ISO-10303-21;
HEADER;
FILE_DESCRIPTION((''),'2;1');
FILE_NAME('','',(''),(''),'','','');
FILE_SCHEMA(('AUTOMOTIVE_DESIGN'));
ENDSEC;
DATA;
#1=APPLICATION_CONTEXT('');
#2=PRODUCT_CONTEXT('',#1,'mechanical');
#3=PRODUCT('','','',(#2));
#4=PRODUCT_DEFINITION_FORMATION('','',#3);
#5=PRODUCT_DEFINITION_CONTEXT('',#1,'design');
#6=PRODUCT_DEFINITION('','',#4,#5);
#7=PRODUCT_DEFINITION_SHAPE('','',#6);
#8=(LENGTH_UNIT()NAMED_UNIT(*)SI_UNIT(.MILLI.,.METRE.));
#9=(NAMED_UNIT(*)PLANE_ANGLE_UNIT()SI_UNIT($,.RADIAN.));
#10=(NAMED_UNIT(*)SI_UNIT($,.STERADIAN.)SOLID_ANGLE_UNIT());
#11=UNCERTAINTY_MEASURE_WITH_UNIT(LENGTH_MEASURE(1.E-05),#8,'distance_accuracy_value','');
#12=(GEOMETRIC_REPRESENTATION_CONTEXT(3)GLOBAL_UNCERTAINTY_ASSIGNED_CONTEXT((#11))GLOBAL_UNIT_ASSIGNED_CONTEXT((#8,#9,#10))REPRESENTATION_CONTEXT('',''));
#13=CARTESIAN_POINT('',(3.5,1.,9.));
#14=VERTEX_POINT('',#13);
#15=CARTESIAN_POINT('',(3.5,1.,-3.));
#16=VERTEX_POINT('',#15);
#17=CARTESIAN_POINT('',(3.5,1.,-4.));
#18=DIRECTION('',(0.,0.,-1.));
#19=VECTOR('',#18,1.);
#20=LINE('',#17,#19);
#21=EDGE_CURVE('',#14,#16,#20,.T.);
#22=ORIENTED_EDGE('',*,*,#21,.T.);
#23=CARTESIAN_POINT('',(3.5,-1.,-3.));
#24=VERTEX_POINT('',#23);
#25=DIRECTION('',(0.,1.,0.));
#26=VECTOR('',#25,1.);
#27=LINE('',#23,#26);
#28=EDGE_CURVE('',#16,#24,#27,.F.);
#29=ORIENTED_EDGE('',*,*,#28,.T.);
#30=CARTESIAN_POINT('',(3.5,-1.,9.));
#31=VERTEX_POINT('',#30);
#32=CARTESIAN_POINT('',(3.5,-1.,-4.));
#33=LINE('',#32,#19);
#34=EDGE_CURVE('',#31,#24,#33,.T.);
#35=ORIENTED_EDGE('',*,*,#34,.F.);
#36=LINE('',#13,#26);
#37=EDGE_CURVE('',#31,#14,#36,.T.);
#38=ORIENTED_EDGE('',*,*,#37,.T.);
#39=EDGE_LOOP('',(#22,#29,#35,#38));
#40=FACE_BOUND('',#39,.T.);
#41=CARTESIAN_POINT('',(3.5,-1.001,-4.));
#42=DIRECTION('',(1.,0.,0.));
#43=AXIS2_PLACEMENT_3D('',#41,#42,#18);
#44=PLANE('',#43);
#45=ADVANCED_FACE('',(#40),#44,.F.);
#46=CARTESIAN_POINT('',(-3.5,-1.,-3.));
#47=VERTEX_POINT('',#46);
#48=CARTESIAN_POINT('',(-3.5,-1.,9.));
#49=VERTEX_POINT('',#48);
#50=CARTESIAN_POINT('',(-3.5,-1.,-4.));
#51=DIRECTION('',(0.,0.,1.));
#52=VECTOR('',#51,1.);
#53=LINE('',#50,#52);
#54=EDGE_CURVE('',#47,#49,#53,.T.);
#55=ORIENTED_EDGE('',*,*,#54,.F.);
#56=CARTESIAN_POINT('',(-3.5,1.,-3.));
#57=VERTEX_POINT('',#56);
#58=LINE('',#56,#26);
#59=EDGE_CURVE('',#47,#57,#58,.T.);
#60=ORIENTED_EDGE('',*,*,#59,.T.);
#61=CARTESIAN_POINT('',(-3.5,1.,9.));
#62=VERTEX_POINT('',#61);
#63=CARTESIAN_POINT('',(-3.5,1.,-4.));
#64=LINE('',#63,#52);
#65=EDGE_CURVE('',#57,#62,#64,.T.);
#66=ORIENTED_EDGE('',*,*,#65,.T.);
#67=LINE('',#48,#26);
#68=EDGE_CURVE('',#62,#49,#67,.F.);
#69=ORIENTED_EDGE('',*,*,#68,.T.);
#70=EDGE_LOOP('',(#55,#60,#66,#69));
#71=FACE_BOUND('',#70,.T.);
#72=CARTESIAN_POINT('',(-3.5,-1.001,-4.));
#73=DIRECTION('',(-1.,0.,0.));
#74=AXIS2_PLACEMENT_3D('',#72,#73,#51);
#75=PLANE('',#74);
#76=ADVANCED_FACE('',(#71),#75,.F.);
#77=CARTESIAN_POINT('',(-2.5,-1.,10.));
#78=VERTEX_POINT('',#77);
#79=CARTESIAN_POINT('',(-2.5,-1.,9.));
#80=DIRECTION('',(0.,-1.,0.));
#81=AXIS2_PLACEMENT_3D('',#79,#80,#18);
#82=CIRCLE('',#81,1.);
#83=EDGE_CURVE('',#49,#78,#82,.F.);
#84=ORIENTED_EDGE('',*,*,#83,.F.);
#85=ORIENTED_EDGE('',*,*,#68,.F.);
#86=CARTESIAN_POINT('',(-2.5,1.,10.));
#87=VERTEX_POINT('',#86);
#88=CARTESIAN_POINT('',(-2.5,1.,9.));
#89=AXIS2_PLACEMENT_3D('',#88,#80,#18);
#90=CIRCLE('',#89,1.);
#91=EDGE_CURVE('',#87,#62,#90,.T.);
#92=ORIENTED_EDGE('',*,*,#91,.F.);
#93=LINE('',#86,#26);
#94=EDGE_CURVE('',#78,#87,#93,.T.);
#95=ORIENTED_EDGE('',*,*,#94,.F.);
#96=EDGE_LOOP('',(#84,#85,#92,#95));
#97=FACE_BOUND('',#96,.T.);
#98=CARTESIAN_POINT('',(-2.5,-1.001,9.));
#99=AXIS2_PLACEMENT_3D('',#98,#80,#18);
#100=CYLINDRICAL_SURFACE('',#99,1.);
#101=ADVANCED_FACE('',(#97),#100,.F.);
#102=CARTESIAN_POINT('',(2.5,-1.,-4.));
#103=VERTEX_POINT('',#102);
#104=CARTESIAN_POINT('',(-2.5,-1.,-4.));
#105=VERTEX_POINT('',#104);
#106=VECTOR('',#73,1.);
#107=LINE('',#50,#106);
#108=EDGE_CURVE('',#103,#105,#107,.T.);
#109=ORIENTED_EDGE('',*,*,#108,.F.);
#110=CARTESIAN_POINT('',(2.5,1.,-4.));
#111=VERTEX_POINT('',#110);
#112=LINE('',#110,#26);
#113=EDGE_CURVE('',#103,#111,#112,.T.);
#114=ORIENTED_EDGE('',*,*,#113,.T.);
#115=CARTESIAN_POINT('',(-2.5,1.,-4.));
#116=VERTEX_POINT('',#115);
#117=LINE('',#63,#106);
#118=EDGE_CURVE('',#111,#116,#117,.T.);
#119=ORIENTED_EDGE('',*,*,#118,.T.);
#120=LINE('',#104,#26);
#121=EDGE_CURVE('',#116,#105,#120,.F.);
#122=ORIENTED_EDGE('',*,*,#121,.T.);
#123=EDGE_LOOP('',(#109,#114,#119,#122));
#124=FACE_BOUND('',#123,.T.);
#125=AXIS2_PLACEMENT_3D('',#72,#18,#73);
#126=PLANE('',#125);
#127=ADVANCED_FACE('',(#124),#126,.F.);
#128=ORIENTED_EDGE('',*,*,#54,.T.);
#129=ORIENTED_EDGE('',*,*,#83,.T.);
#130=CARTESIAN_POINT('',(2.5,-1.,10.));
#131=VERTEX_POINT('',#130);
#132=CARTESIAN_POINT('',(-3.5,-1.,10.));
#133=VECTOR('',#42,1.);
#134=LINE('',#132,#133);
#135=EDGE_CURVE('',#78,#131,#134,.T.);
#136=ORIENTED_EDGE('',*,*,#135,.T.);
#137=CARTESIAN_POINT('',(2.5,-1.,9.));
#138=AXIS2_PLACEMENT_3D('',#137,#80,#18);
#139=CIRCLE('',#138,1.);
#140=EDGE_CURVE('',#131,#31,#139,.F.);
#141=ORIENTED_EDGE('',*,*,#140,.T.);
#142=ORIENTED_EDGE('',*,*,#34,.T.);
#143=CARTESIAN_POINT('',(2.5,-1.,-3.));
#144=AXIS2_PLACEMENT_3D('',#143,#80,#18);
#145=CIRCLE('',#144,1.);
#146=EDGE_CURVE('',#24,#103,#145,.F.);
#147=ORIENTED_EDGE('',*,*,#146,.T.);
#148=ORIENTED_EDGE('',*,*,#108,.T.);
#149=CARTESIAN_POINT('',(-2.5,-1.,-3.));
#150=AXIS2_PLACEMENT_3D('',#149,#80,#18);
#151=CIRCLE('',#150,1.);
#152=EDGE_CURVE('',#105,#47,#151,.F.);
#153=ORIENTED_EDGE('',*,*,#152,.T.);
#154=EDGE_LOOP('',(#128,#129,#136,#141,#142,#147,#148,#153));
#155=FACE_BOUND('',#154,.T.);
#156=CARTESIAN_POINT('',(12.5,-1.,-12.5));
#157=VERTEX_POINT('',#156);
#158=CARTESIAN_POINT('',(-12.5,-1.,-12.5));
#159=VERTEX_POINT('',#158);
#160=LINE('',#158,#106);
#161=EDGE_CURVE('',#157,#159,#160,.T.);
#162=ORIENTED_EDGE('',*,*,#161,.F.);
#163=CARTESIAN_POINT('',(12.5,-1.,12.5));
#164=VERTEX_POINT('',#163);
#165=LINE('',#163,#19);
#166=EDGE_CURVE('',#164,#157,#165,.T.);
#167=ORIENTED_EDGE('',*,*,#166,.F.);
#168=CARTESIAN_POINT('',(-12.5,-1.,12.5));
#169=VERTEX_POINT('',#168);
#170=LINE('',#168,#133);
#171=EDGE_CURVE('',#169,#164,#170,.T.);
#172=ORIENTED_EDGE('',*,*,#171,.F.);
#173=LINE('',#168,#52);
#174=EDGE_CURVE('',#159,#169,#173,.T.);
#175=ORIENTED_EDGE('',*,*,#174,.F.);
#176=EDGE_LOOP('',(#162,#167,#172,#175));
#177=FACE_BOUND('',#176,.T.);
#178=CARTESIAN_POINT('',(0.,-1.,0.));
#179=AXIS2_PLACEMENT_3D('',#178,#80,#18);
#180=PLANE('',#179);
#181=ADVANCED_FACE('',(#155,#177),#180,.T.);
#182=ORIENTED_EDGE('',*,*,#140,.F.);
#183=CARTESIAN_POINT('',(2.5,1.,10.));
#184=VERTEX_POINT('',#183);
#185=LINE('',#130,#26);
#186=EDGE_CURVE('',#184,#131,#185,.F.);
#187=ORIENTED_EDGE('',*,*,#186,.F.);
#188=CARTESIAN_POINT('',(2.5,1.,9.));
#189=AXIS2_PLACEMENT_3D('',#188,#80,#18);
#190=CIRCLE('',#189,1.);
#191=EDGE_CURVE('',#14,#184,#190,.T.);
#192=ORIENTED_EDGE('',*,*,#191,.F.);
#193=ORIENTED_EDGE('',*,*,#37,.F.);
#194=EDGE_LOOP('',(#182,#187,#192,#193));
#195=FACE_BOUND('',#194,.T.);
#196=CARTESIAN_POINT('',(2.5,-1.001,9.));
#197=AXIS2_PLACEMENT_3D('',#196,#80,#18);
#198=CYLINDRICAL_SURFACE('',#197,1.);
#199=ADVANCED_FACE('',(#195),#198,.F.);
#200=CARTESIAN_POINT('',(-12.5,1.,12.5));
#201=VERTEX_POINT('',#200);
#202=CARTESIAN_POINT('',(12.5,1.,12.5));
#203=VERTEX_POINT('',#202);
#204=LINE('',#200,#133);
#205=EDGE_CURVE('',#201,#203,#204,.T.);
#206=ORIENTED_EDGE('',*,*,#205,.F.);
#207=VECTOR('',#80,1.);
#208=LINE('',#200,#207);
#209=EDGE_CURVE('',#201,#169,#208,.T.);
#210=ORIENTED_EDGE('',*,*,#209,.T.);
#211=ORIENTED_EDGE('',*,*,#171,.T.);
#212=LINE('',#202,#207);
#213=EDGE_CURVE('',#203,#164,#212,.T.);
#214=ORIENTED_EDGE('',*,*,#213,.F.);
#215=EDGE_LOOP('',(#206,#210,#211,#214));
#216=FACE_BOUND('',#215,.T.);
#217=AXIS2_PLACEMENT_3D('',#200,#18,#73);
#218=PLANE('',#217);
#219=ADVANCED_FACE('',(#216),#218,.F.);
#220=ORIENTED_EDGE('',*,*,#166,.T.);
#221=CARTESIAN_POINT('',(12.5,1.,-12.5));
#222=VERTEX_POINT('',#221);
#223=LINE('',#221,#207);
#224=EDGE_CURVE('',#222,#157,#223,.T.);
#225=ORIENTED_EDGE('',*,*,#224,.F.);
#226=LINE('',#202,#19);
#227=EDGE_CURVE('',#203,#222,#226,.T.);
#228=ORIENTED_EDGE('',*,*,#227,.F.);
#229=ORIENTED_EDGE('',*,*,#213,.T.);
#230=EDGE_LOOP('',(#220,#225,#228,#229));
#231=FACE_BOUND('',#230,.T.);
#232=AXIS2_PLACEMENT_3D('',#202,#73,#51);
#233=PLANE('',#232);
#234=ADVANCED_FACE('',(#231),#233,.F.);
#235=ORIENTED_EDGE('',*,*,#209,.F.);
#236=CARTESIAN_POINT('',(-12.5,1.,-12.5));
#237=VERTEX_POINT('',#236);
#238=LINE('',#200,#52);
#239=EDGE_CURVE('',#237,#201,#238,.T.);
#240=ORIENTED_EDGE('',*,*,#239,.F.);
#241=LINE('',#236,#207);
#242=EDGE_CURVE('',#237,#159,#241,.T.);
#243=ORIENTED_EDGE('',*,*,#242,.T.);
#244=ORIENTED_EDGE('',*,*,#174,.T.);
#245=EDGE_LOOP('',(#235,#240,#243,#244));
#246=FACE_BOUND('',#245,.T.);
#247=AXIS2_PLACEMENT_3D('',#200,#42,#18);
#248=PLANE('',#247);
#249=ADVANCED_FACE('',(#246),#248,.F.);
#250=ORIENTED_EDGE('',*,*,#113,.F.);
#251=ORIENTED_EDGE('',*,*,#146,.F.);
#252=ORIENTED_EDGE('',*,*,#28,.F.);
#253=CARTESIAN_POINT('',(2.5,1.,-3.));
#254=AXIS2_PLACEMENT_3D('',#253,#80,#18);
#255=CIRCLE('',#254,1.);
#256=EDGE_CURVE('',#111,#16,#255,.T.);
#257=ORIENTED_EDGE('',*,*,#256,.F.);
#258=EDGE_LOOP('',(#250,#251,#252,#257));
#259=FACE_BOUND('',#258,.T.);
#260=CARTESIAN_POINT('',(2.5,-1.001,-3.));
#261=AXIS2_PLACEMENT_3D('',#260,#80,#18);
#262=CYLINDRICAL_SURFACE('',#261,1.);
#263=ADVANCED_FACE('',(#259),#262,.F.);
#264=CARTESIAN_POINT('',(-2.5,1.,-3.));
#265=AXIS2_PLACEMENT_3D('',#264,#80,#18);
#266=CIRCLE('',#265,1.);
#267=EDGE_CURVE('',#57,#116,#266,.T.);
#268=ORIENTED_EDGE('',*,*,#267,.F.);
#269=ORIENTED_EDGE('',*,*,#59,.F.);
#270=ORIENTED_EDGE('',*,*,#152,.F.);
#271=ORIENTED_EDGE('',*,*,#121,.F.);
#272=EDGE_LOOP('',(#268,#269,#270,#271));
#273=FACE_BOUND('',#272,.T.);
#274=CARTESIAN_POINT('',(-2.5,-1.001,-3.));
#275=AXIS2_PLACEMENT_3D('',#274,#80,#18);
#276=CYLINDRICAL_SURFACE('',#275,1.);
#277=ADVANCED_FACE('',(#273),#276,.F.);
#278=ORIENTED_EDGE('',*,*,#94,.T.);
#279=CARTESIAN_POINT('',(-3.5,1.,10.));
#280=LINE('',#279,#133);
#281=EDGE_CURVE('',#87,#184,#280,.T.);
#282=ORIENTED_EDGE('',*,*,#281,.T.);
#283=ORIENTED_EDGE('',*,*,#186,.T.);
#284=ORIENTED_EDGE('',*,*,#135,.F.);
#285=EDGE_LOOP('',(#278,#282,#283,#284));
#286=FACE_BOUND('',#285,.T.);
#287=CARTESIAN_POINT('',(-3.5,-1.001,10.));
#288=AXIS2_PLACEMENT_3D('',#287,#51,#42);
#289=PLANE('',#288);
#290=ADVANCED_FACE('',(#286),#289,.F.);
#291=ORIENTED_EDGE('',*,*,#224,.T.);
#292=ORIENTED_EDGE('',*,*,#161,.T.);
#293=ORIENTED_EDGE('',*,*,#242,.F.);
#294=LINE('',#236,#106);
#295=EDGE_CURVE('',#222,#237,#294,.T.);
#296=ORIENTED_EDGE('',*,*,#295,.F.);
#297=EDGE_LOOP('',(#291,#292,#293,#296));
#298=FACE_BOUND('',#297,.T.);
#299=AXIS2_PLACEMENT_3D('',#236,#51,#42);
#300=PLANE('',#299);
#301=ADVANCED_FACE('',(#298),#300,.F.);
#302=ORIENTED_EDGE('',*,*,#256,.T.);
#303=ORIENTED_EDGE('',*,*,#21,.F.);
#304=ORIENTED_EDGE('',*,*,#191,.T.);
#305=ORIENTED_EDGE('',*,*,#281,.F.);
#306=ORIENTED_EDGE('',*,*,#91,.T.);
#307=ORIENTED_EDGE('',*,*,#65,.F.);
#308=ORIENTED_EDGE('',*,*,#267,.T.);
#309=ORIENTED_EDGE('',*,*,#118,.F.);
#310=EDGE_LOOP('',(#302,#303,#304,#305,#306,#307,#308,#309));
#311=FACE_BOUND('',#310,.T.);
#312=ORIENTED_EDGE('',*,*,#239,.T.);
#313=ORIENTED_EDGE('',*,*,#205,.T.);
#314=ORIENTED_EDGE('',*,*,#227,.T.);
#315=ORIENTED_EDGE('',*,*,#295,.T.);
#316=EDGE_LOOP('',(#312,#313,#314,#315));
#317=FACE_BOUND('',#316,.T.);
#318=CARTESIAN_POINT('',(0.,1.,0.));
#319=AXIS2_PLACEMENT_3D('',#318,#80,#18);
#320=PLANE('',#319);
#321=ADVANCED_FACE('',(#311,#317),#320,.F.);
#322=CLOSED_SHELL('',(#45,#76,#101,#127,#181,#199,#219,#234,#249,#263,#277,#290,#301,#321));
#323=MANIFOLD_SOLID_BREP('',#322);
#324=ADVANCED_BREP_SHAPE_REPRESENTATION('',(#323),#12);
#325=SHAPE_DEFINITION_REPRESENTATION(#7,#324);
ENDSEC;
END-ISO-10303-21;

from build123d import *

# Parameters (mm, degrees)
SKETCH1_W           = 25
SKETCH1_H           = 25
BOSS_EXTRUDE1_DEPTH = 1
CUT_EXTRUDE1_REACH  = 19.79
SKETCH2_W           = 7
SKETCH2_H           = 14
FILLET1_R           = 1


with BuildPart() as part:
    # Sketch1 → Boss-Extrude1 (new, symmetric)
    with BuildSketch(Plane(origin=(0, 0, 0), x_dir=(1, 0, 0), z_dir=(0, 1, 0))):
        Rectangle(SKETCH1_W, SKETCH1_H)
    extrude(amount=BOSS_EXTRUDE1_DEPTH, both=True)

    # Sketch2 → Cut-Extrude1 (cut, up to next)
    with BuildSketch(Plane(origin=(0, 1, 0), x_dir=(1, 0, 0), z_dir=(0, 1, 0)), mode=Mode.PRIVATE) as cut_extrude1_sk1:
        with Locations((0, -3)):
            Rectangle(SKETCH2_W, SKETCH2_H)
    cut_extrude1_tool1 = extrude(cut_extrude1_sk1.sketch, amount=-CUT_EXTRUDE1_REACH, mode=Mode.PRIVATE) & part.part
    add(cut_extrude1_tool1.solids().sort_by_distance((0, 1, 3))[0], mode=Mode.SUBTRACT)

    # Fillet1
    fillet1_edges = [part.edges().sort_by_distance(p)[0] for p in [
        (-3.5, 0, 10),
        (-3.5, 0, -4),
        (3.5, 0, -4),
        (3.5, 0, 10),
    ]]
    fillet(fillet1_edges, radius=FILLET1_R)


solid = part.part
